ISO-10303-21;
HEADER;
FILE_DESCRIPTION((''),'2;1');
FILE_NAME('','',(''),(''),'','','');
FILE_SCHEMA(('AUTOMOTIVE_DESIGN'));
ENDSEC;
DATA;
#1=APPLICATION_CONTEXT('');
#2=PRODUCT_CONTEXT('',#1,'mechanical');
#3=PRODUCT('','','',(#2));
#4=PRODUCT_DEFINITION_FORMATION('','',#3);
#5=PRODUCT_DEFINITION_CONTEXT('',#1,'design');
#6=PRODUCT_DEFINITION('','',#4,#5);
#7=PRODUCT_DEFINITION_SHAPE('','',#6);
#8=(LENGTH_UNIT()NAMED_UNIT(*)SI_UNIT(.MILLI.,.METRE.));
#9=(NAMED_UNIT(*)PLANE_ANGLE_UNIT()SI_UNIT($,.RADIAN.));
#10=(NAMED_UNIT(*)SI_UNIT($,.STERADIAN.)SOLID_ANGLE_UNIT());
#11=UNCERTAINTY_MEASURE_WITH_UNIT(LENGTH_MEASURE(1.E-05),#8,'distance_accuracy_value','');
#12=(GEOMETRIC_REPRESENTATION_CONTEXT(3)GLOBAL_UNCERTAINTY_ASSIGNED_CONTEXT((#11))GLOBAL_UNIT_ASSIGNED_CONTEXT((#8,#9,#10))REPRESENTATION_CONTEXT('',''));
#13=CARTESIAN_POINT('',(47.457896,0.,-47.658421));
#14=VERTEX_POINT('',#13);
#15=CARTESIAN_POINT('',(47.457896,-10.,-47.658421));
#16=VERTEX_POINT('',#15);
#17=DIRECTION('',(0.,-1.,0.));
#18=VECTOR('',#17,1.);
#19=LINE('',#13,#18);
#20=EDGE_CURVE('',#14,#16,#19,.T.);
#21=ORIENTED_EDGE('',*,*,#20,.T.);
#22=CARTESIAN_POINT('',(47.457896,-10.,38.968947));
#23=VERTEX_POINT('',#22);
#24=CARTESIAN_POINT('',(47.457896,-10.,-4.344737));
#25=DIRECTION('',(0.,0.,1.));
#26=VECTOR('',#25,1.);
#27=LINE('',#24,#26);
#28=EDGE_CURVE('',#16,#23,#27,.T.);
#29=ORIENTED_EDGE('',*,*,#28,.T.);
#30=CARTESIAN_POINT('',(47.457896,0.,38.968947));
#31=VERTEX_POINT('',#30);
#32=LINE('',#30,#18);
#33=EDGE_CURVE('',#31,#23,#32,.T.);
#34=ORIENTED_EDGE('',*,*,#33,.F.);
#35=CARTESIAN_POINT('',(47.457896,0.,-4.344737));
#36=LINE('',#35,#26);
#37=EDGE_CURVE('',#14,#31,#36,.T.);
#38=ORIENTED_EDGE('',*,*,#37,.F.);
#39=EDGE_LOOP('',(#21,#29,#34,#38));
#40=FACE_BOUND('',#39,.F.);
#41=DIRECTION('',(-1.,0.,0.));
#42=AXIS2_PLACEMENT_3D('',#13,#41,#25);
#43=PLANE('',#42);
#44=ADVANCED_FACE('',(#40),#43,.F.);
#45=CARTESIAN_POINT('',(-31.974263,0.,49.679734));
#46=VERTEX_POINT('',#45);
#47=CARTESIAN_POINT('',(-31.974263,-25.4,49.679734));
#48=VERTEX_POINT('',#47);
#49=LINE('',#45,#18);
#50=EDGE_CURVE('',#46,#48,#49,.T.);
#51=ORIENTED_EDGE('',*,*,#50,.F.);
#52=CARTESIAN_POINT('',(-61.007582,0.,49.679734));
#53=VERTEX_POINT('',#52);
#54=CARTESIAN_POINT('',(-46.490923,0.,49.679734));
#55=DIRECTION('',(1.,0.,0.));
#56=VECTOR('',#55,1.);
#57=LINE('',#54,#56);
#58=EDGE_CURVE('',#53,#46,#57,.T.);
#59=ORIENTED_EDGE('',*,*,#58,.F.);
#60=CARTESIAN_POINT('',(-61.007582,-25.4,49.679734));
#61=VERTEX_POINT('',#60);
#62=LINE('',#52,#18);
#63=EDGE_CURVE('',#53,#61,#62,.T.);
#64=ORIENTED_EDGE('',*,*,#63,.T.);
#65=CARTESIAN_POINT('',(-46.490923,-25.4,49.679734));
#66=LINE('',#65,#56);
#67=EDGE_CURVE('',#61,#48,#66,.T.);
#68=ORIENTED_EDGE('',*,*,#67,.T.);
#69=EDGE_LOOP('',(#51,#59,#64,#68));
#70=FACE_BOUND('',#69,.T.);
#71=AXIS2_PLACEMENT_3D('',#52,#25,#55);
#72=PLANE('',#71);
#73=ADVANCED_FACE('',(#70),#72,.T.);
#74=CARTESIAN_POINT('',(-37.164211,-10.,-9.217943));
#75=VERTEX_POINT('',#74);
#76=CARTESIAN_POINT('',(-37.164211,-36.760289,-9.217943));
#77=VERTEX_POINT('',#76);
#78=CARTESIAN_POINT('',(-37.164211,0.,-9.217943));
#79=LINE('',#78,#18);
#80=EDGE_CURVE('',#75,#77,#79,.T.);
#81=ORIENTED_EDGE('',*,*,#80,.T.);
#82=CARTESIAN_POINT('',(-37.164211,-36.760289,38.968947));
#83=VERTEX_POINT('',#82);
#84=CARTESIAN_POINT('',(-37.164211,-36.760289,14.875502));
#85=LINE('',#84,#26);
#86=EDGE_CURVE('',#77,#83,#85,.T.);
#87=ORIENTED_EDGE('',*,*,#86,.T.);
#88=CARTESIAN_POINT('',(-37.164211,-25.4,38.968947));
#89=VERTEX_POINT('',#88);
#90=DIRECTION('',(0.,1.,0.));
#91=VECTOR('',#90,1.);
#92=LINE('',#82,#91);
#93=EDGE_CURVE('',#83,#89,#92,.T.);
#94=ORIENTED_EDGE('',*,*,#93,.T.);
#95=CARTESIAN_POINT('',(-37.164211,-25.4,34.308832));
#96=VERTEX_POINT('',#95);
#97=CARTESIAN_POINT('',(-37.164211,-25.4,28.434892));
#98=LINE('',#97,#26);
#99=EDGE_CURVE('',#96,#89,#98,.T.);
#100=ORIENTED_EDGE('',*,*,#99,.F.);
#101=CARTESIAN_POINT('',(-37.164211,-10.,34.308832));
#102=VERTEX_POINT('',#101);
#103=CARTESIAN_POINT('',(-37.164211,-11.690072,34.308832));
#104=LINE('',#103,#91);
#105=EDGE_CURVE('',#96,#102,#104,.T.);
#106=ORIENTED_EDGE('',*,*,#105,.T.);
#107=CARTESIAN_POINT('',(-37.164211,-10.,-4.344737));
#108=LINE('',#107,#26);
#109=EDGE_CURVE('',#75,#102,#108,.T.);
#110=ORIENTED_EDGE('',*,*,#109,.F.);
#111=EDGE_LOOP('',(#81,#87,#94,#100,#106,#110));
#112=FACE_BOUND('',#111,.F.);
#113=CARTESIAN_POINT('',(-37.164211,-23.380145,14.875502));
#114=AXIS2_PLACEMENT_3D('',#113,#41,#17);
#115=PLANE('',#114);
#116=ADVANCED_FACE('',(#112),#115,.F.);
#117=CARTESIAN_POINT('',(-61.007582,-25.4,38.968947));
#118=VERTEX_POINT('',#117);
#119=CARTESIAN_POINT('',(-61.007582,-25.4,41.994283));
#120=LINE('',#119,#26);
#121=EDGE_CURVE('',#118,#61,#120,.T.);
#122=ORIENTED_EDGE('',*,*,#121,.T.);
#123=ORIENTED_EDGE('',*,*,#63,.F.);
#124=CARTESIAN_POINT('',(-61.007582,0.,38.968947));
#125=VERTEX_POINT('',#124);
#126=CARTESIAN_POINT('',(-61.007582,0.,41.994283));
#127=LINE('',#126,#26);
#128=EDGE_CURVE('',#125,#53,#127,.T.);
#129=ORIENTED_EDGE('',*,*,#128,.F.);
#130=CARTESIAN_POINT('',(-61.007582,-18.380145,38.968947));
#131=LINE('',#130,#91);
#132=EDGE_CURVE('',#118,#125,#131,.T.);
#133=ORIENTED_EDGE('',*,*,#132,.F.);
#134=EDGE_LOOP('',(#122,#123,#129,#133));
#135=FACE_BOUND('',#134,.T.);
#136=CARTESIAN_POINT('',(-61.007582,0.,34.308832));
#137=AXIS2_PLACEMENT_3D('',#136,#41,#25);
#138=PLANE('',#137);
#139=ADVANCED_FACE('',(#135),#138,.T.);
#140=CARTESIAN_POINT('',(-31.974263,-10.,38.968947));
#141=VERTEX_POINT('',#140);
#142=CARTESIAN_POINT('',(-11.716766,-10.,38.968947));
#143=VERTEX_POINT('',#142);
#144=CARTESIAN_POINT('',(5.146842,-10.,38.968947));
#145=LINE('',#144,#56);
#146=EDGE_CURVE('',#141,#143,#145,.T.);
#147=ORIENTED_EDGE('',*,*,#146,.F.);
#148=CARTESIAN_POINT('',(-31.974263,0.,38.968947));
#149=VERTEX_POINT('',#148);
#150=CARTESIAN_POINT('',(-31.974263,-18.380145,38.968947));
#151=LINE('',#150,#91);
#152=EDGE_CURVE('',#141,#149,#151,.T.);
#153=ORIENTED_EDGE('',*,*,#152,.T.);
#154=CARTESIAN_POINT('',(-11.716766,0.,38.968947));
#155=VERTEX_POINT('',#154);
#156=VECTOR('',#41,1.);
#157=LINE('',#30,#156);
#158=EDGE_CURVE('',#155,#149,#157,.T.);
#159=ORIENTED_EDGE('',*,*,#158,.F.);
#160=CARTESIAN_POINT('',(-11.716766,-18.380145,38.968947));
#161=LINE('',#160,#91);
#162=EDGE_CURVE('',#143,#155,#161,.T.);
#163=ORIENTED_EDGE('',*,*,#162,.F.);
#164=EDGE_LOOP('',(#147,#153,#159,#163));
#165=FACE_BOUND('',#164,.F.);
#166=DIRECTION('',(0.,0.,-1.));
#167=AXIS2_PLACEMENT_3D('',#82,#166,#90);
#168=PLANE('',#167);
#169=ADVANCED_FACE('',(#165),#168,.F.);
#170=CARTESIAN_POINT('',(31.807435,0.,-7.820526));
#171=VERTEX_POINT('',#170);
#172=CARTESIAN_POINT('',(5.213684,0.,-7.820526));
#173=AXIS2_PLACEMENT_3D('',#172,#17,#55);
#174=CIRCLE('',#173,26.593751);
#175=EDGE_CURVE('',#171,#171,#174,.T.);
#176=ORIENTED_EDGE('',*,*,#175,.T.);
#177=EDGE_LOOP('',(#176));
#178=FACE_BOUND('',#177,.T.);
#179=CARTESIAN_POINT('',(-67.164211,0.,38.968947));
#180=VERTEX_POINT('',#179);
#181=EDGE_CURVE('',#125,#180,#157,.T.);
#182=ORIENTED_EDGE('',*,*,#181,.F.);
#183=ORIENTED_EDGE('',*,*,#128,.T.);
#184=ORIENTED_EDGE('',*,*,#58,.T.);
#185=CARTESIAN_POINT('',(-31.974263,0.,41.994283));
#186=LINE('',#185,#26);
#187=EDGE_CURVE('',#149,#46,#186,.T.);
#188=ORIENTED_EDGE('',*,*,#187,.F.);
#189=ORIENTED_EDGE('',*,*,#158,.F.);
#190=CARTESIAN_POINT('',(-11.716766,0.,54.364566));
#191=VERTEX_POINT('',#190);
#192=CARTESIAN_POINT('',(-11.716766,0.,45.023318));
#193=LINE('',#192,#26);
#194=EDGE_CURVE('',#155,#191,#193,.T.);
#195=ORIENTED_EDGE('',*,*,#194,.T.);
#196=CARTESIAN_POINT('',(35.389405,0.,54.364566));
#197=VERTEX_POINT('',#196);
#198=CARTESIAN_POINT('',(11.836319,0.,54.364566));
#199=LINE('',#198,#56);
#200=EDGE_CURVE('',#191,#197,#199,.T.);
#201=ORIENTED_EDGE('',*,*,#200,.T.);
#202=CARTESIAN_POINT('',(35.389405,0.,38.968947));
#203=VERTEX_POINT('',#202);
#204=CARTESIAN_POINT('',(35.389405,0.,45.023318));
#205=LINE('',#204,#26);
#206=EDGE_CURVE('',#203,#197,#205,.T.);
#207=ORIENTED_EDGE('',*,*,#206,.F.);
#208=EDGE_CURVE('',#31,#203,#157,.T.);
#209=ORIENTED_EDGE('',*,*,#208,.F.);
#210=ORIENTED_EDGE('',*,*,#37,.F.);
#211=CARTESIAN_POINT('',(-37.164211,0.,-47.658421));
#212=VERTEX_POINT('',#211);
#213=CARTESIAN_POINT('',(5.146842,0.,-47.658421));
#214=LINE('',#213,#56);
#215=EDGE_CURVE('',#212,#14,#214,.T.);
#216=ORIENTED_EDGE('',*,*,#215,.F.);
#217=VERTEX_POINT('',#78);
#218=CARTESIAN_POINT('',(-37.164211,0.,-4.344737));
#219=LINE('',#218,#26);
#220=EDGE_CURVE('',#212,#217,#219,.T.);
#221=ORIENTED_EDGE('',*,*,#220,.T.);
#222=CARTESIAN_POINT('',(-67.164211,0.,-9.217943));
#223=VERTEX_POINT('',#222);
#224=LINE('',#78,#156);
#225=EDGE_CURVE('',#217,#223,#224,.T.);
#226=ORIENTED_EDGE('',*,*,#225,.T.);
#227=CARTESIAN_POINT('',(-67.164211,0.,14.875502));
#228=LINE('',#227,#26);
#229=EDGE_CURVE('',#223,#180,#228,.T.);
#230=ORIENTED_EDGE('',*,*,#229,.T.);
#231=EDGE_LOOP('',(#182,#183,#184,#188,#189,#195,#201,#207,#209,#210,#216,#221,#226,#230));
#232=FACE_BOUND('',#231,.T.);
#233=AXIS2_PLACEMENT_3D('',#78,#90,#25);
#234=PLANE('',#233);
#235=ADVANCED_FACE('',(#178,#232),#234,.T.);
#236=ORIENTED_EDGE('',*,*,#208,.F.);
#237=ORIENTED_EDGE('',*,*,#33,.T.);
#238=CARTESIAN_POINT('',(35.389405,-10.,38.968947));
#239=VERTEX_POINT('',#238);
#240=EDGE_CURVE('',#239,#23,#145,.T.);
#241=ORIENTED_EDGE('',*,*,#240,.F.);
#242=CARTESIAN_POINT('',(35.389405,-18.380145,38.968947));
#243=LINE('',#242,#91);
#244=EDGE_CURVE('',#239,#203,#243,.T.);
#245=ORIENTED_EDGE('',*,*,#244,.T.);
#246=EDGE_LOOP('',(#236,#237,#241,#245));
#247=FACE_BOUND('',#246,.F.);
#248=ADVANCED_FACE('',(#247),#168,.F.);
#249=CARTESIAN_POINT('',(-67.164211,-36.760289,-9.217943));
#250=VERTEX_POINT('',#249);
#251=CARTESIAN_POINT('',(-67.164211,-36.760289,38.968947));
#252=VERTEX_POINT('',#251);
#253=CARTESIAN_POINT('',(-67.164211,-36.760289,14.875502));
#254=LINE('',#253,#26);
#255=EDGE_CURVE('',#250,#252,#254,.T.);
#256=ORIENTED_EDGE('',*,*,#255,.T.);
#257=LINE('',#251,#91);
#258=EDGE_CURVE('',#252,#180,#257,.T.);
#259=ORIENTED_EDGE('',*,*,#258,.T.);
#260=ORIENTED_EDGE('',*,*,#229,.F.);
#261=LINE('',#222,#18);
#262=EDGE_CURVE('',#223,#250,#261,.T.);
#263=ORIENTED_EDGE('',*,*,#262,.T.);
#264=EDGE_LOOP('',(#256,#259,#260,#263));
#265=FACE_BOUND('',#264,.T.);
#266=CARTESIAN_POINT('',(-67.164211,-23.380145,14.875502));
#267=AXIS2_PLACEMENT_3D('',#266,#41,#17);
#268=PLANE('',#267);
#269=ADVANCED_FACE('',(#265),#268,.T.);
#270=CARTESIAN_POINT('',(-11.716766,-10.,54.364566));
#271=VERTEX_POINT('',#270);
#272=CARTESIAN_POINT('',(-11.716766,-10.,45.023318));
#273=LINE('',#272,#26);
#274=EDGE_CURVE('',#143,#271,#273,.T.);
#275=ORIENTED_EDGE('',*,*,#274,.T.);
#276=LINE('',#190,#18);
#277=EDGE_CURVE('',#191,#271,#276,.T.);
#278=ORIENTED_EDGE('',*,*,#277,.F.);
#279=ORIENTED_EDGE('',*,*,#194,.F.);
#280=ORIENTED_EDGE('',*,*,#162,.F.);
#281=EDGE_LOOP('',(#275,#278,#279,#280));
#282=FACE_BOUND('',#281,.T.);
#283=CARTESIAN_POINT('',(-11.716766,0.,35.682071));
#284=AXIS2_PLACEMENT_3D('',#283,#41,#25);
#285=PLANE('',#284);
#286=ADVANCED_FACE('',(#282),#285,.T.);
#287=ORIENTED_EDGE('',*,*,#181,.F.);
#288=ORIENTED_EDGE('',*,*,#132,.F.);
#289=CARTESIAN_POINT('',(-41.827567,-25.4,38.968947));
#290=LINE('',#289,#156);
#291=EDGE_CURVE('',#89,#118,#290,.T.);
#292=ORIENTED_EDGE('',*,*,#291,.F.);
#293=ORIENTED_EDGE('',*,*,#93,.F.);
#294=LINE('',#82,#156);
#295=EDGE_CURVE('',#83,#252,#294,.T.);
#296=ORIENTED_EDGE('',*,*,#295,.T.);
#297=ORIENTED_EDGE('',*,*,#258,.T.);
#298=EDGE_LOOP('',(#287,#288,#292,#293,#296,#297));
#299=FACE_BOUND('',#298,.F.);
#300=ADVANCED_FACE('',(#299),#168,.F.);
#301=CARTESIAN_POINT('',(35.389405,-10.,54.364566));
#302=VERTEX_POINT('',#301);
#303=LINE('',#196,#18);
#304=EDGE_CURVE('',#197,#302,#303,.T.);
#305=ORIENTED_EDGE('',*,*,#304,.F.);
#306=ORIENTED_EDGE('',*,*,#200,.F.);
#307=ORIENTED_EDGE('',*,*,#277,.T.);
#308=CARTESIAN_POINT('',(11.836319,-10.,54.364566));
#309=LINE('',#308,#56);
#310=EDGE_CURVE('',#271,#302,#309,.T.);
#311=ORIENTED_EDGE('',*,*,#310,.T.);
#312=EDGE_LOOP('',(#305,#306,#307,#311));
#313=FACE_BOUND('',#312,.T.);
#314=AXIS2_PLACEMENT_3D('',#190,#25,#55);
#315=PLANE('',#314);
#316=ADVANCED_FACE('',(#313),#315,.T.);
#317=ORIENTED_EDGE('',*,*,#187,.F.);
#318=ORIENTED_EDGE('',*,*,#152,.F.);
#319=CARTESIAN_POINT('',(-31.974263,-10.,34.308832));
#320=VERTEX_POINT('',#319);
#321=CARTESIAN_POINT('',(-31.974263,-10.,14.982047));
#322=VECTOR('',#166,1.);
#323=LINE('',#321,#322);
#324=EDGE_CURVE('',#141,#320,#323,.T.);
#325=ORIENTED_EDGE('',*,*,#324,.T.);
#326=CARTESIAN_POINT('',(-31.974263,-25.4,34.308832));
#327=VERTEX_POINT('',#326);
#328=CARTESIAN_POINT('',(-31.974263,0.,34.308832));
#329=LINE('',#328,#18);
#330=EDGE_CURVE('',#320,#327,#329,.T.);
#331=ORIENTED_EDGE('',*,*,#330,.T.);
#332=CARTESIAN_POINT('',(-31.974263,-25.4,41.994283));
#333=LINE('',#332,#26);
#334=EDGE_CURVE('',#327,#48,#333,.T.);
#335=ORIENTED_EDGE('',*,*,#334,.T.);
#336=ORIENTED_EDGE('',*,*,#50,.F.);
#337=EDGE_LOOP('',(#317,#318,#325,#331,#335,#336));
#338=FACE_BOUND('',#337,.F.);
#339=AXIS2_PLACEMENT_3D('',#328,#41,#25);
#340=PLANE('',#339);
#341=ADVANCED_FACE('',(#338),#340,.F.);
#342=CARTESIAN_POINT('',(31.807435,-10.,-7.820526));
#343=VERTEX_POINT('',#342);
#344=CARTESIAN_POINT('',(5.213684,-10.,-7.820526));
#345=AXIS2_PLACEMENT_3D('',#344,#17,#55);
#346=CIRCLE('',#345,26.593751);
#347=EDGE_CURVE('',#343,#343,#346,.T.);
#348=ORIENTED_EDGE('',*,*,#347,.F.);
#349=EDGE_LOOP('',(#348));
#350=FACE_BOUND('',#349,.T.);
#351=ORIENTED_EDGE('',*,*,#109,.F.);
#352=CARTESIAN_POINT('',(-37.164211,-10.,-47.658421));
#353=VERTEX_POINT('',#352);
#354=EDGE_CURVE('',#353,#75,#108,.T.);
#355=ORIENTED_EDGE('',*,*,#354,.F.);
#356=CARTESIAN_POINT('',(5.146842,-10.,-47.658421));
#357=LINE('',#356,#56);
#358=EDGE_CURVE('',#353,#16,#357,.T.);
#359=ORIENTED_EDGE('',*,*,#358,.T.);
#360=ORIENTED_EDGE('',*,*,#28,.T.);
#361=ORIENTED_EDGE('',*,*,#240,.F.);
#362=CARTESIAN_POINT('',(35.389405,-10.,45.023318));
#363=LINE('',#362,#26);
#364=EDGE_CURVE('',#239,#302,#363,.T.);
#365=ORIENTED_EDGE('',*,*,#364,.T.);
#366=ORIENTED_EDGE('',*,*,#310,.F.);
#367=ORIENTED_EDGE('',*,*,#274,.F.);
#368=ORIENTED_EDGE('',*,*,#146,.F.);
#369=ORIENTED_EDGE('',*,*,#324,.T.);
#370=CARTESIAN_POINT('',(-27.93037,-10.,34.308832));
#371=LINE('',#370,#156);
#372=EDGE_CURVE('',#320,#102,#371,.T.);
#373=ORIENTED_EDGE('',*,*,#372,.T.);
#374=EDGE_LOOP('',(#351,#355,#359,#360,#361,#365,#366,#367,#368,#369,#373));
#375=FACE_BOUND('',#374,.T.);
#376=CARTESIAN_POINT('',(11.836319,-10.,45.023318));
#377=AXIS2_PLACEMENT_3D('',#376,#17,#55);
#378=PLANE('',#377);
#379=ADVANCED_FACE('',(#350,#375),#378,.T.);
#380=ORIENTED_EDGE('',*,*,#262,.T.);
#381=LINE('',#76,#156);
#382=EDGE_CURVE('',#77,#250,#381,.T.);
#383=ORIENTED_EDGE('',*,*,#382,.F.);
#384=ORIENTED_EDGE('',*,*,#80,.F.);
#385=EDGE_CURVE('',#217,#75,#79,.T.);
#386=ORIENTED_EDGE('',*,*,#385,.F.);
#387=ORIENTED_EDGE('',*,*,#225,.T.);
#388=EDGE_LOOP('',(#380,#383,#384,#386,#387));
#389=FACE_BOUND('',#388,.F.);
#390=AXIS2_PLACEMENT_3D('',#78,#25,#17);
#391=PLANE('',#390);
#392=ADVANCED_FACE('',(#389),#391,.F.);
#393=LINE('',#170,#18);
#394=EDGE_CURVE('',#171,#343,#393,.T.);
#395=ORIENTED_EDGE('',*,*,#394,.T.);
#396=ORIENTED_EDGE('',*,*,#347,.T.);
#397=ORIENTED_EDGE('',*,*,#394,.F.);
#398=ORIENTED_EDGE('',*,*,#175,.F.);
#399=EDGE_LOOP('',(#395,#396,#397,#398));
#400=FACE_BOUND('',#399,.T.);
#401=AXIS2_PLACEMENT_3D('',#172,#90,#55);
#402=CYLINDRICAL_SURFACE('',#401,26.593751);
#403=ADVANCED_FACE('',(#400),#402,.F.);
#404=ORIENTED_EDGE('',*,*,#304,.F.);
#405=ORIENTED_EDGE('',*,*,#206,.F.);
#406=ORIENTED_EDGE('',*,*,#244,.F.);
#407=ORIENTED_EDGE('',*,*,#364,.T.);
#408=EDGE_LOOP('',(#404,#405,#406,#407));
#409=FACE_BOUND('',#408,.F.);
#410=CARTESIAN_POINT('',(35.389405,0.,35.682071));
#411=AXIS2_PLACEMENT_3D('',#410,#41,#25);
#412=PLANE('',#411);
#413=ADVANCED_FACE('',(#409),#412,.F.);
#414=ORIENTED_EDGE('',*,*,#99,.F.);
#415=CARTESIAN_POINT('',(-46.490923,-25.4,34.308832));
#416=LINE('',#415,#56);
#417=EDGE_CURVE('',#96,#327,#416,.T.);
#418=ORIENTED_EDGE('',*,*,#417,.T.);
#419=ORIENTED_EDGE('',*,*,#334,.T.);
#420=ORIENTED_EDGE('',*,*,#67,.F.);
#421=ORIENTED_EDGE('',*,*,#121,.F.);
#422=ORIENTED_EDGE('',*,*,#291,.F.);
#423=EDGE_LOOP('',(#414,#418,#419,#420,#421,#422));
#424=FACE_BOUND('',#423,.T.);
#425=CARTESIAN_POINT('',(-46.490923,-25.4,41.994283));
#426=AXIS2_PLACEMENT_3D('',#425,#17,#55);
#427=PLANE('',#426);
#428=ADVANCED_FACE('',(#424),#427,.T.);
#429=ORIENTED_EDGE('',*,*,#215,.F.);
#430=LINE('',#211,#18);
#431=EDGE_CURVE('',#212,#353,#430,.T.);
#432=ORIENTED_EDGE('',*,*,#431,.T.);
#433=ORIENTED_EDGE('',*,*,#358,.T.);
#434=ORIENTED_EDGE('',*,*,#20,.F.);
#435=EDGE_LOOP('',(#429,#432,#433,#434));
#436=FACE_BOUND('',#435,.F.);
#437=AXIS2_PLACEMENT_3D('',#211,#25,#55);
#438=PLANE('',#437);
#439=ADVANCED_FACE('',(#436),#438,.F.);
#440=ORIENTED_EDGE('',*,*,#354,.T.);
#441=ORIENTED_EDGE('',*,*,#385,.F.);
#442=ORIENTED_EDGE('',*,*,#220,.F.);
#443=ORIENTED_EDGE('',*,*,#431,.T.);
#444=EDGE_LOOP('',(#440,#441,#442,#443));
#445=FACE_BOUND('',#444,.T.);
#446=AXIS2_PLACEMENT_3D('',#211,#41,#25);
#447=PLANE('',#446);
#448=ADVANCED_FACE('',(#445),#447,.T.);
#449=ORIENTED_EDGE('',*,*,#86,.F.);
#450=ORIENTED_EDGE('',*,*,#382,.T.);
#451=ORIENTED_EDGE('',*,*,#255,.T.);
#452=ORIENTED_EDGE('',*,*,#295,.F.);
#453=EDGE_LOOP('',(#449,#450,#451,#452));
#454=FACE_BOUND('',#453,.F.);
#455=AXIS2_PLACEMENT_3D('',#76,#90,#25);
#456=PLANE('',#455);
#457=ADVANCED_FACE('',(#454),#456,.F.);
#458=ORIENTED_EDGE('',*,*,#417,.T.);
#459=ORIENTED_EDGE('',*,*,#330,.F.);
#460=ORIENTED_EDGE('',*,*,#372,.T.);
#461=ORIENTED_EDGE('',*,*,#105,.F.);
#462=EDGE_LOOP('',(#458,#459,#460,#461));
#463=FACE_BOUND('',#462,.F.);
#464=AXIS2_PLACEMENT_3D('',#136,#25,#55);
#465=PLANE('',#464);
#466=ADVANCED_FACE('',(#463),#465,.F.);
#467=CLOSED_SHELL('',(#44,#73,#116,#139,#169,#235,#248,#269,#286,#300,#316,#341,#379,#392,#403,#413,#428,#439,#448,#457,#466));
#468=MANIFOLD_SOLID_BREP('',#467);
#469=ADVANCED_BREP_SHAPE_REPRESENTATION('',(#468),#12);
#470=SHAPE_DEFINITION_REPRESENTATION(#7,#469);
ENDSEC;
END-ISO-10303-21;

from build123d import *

# Parameters (mm, degrees)
F0_W     = 84.6221074462
F0_H     = 86.6273678839
F0_R     = 26.5937510692
F1_DEPTH = 10
F2_W     = 26.760289222
F2_H     = 48.1868900824
F2_W_2   = 10
F3_DEPTH = 30
F4_W     = 29.033318162
F4_H     = 15.370901674
F5_DEPTH = 25.4
F6_W     = 47.1061710268
F6_H     = 18.6824947596
F7_DEPTH = 10


with BuildPart() as f1:
    # F0 (on Front) → F1 (new body)
    with BuildSketch(Plane.XZ):
        with Locations((5.1468424499, -4.3447371572)):
            Rectangle(F0_W, F0_H)
        with Locations((5.2136839367, -7.8205261379)):
            Circle(F0_R, mode=Mode.SUBTRACT)
    extrude(amount=F1_DEPTH)

    # F2 (on face) → F3 (join)
    with BuildSketch(Plane(origin=(-37.1642112732, 0, 0), x_dir=(0, -1, 0), z_dir=(-1, 0, 0))):
        with Locations((23.380144611, 14.8755017435)):
            Rectangle(F2_W, F2_H)
        with Locations((5, 14.8755017435)):
            Rectangle(F2_W_2, F2_H)
    extrude(amount=F3_DEPTH)

    # F4 (on Front) → F5 (join)
    with BuildSketch(Plane.XZ):
        with Locations((-46.4909225702, 41.9942829758)):
            Rectangle(F4_W, F4_H)
    extrude(amount=F5_DEPTH)

    # F6 (on Front) → F7 (join)
    with BuildSketch(Plane.XZ):
        with Locations((11.8363192305, 45.0233183801)):
            Rectangle(F6_W, F6_H)
    extrude(amount=F7_DEPTH)


solid = f1.part
